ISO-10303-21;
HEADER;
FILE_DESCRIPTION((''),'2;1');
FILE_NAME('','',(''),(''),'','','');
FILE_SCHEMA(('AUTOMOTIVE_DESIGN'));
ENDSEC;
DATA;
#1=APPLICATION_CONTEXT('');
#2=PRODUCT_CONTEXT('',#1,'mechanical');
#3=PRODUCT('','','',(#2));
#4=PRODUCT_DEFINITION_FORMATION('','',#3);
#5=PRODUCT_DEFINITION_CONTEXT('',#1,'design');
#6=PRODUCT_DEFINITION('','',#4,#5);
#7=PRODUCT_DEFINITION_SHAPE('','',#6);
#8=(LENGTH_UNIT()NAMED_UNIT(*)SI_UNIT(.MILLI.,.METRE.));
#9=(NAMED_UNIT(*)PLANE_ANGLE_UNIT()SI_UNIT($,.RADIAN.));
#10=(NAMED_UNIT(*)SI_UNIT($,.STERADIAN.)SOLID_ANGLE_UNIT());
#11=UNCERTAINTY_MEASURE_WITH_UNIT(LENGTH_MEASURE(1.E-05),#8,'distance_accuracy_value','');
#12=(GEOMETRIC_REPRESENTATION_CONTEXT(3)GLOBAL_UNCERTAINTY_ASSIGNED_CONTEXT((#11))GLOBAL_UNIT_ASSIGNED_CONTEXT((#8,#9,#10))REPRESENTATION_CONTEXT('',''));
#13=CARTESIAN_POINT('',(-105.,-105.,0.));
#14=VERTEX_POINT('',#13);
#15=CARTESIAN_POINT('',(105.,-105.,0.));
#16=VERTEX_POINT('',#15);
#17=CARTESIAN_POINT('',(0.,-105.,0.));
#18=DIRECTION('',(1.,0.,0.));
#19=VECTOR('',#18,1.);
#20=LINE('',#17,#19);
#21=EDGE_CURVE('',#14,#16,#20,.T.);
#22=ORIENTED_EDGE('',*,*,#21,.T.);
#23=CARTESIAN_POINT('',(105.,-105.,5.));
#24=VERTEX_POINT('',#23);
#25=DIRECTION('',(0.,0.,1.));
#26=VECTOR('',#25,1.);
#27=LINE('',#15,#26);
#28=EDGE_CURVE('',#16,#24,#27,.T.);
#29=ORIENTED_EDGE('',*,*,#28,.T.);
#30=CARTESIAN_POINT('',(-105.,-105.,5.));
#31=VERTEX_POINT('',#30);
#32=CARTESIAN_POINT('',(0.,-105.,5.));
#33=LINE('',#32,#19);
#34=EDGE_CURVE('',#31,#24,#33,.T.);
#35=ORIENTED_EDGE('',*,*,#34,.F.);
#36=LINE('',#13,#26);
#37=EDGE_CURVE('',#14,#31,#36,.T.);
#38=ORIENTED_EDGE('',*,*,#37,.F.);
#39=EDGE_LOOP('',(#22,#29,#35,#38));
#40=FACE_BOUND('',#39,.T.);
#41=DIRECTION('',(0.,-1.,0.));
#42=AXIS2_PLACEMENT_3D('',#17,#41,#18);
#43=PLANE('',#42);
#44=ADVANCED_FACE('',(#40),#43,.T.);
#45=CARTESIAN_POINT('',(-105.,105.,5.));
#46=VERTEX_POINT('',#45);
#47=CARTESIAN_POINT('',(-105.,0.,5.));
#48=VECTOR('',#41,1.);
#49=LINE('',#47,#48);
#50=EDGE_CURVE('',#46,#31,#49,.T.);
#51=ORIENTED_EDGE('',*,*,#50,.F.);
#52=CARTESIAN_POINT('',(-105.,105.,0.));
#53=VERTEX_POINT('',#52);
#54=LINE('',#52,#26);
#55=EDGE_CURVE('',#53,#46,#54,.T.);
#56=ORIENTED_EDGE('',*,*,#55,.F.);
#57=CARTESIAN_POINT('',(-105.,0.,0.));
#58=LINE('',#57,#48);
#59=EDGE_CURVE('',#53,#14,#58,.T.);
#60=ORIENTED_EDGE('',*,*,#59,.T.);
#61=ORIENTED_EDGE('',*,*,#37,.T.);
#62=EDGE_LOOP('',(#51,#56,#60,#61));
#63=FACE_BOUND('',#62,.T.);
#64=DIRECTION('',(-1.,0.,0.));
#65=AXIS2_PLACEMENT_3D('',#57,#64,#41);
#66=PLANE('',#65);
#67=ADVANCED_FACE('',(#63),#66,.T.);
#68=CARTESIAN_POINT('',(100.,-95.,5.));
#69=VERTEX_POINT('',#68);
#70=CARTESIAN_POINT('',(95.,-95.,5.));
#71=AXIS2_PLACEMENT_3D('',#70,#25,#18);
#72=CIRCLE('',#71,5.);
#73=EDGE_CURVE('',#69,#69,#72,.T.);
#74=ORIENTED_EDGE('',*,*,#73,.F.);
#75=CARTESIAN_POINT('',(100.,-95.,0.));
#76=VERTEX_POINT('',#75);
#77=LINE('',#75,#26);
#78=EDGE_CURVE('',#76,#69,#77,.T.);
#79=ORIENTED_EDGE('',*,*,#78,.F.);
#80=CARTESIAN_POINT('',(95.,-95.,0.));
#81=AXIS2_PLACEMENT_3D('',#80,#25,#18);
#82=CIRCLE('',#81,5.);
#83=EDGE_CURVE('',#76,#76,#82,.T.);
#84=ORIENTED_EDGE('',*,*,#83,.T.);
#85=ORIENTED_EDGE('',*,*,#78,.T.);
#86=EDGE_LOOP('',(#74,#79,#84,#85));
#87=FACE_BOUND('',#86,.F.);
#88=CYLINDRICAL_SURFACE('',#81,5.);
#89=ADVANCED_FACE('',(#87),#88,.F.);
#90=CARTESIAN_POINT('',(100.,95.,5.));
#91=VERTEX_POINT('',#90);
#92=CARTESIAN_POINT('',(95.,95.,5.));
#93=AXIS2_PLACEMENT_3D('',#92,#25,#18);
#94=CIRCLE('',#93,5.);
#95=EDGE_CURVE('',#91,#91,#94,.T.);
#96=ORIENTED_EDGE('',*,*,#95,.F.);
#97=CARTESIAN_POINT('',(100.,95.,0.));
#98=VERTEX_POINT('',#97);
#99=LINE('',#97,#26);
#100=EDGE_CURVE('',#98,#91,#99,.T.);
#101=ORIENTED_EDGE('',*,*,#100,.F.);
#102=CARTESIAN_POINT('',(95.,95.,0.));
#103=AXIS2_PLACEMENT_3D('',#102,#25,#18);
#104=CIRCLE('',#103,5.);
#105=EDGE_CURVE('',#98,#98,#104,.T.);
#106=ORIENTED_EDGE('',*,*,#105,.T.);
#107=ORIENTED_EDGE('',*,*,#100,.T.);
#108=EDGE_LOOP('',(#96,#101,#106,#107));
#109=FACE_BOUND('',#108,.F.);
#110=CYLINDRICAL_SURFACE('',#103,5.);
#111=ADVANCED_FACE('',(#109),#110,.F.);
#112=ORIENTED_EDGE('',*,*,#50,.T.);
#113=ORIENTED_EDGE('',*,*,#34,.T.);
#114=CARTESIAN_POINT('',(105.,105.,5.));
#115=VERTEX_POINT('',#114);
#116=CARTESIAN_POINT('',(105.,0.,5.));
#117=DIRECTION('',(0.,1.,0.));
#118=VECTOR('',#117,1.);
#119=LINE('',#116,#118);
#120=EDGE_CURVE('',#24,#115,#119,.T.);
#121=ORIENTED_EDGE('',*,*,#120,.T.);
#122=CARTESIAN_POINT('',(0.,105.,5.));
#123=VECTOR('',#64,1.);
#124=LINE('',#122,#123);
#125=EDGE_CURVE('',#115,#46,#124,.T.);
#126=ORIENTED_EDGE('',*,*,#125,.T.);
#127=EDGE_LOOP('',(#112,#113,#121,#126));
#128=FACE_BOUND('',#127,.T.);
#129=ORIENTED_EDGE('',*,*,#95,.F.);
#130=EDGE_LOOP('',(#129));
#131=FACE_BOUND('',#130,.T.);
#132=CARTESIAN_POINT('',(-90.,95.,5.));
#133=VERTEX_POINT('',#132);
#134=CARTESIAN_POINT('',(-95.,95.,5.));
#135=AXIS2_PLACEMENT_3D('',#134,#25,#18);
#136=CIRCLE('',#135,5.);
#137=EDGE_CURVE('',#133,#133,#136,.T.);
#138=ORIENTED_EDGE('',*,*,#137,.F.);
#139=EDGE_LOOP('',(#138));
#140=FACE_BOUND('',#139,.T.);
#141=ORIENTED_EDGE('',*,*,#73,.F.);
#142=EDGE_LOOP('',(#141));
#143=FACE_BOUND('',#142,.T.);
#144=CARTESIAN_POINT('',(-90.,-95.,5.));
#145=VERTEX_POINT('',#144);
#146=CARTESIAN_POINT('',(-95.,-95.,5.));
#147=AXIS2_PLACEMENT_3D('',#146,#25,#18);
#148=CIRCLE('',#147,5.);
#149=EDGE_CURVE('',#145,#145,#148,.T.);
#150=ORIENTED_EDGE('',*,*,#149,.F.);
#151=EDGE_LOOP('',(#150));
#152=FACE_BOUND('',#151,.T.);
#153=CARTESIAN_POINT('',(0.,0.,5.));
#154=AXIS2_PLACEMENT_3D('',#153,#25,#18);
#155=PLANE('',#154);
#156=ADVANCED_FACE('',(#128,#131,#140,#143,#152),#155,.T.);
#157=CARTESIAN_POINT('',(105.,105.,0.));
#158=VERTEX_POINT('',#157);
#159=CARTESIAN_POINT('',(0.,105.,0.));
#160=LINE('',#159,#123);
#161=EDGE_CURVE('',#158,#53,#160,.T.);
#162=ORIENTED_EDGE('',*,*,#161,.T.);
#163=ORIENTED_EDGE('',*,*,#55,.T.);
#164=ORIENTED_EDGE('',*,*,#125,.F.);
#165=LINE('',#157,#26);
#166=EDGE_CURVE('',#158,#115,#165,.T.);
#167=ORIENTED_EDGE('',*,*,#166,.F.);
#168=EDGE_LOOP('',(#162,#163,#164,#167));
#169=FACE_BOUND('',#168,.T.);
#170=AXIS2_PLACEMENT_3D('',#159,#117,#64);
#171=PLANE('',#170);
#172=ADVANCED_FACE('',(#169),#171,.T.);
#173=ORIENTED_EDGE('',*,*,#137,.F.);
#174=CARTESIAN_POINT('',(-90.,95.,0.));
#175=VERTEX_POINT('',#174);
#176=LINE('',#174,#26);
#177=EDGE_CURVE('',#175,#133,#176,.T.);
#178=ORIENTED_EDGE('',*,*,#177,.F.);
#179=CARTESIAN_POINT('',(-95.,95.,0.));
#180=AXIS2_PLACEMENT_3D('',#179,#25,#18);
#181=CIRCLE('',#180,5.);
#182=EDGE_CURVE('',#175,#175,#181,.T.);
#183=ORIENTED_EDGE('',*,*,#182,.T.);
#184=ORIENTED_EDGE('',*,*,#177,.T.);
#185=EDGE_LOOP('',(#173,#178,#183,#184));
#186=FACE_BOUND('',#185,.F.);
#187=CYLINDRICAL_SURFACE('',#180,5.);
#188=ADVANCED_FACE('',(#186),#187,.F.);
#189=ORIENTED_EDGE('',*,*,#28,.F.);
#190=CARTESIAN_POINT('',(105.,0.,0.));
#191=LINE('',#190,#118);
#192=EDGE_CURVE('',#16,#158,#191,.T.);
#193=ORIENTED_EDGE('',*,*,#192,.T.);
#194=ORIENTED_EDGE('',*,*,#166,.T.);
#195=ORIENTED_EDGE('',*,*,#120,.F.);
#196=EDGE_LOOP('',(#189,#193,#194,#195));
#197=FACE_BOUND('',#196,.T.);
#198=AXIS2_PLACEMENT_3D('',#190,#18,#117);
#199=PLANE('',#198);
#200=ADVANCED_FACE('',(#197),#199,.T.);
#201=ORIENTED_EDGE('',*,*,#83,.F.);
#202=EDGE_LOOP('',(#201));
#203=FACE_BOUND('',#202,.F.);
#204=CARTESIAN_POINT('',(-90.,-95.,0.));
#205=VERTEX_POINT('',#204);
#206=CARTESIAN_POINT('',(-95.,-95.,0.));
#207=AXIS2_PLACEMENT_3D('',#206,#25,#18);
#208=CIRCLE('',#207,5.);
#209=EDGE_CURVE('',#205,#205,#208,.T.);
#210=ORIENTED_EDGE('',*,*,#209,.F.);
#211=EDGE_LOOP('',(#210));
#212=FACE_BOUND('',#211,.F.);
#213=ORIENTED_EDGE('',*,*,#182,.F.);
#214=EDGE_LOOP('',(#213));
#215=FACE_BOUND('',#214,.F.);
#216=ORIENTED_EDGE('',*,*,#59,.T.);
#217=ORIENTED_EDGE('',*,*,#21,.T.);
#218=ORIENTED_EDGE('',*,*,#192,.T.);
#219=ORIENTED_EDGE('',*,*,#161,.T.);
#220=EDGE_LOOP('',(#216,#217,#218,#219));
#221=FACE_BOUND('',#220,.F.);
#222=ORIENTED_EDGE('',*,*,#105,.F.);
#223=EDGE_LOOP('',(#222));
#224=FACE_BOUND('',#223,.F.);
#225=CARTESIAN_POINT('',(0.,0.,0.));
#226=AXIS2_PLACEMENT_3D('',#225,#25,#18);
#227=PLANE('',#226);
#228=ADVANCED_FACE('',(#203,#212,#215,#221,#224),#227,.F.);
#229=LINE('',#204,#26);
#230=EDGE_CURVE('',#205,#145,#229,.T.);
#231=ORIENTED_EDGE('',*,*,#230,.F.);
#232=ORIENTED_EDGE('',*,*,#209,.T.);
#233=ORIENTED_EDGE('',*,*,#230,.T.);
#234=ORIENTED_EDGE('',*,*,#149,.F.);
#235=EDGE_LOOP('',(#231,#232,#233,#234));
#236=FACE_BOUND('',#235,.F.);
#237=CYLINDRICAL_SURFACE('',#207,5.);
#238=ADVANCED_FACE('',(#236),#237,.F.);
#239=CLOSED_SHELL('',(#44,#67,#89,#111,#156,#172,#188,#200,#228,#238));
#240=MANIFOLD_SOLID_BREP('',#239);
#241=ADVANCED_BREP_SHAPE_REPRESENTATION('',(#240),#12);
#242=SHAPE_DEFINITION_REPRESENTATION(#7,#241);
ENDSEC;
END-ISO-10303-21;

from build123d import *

# Parameters (mm, degrees)
F0_W = 210
F0_H = 210
F3_R = 5


with BuildPart() as f2:
    # F2: sweep along a path in F1
    with BuildLine(Plane.XZ) as f2_path:
        Line((0, 0), (0, 5))
    # F0 (on Top) → F2 (sweep)
    with BuildSketch(Plane.XY):
        Rectangle(F0_W, F0_H)
    sweep(path=f2_path.line)

    # F5: sweep along a path in F4
    with BuildLine(Plane.XZ) as f5_path:
        Line((0, 0), (0, 10))
    # F3 (on Top) → F5 (sweep, cut)
    with BuildSketch(Plane.XY):
        with Locations((-95, -95)):
            Circle(F3_R)
        with Locations((95, 95)):
            Circle(F3_R)
        with Locations((-95, 95)):
            Circle(F3_R)
        with Locations((95, -95)):
            Circle(F3_R)
    sweep(path=f5_path.line, mode=Mode.SUBTRACT)


solid = f2.part
